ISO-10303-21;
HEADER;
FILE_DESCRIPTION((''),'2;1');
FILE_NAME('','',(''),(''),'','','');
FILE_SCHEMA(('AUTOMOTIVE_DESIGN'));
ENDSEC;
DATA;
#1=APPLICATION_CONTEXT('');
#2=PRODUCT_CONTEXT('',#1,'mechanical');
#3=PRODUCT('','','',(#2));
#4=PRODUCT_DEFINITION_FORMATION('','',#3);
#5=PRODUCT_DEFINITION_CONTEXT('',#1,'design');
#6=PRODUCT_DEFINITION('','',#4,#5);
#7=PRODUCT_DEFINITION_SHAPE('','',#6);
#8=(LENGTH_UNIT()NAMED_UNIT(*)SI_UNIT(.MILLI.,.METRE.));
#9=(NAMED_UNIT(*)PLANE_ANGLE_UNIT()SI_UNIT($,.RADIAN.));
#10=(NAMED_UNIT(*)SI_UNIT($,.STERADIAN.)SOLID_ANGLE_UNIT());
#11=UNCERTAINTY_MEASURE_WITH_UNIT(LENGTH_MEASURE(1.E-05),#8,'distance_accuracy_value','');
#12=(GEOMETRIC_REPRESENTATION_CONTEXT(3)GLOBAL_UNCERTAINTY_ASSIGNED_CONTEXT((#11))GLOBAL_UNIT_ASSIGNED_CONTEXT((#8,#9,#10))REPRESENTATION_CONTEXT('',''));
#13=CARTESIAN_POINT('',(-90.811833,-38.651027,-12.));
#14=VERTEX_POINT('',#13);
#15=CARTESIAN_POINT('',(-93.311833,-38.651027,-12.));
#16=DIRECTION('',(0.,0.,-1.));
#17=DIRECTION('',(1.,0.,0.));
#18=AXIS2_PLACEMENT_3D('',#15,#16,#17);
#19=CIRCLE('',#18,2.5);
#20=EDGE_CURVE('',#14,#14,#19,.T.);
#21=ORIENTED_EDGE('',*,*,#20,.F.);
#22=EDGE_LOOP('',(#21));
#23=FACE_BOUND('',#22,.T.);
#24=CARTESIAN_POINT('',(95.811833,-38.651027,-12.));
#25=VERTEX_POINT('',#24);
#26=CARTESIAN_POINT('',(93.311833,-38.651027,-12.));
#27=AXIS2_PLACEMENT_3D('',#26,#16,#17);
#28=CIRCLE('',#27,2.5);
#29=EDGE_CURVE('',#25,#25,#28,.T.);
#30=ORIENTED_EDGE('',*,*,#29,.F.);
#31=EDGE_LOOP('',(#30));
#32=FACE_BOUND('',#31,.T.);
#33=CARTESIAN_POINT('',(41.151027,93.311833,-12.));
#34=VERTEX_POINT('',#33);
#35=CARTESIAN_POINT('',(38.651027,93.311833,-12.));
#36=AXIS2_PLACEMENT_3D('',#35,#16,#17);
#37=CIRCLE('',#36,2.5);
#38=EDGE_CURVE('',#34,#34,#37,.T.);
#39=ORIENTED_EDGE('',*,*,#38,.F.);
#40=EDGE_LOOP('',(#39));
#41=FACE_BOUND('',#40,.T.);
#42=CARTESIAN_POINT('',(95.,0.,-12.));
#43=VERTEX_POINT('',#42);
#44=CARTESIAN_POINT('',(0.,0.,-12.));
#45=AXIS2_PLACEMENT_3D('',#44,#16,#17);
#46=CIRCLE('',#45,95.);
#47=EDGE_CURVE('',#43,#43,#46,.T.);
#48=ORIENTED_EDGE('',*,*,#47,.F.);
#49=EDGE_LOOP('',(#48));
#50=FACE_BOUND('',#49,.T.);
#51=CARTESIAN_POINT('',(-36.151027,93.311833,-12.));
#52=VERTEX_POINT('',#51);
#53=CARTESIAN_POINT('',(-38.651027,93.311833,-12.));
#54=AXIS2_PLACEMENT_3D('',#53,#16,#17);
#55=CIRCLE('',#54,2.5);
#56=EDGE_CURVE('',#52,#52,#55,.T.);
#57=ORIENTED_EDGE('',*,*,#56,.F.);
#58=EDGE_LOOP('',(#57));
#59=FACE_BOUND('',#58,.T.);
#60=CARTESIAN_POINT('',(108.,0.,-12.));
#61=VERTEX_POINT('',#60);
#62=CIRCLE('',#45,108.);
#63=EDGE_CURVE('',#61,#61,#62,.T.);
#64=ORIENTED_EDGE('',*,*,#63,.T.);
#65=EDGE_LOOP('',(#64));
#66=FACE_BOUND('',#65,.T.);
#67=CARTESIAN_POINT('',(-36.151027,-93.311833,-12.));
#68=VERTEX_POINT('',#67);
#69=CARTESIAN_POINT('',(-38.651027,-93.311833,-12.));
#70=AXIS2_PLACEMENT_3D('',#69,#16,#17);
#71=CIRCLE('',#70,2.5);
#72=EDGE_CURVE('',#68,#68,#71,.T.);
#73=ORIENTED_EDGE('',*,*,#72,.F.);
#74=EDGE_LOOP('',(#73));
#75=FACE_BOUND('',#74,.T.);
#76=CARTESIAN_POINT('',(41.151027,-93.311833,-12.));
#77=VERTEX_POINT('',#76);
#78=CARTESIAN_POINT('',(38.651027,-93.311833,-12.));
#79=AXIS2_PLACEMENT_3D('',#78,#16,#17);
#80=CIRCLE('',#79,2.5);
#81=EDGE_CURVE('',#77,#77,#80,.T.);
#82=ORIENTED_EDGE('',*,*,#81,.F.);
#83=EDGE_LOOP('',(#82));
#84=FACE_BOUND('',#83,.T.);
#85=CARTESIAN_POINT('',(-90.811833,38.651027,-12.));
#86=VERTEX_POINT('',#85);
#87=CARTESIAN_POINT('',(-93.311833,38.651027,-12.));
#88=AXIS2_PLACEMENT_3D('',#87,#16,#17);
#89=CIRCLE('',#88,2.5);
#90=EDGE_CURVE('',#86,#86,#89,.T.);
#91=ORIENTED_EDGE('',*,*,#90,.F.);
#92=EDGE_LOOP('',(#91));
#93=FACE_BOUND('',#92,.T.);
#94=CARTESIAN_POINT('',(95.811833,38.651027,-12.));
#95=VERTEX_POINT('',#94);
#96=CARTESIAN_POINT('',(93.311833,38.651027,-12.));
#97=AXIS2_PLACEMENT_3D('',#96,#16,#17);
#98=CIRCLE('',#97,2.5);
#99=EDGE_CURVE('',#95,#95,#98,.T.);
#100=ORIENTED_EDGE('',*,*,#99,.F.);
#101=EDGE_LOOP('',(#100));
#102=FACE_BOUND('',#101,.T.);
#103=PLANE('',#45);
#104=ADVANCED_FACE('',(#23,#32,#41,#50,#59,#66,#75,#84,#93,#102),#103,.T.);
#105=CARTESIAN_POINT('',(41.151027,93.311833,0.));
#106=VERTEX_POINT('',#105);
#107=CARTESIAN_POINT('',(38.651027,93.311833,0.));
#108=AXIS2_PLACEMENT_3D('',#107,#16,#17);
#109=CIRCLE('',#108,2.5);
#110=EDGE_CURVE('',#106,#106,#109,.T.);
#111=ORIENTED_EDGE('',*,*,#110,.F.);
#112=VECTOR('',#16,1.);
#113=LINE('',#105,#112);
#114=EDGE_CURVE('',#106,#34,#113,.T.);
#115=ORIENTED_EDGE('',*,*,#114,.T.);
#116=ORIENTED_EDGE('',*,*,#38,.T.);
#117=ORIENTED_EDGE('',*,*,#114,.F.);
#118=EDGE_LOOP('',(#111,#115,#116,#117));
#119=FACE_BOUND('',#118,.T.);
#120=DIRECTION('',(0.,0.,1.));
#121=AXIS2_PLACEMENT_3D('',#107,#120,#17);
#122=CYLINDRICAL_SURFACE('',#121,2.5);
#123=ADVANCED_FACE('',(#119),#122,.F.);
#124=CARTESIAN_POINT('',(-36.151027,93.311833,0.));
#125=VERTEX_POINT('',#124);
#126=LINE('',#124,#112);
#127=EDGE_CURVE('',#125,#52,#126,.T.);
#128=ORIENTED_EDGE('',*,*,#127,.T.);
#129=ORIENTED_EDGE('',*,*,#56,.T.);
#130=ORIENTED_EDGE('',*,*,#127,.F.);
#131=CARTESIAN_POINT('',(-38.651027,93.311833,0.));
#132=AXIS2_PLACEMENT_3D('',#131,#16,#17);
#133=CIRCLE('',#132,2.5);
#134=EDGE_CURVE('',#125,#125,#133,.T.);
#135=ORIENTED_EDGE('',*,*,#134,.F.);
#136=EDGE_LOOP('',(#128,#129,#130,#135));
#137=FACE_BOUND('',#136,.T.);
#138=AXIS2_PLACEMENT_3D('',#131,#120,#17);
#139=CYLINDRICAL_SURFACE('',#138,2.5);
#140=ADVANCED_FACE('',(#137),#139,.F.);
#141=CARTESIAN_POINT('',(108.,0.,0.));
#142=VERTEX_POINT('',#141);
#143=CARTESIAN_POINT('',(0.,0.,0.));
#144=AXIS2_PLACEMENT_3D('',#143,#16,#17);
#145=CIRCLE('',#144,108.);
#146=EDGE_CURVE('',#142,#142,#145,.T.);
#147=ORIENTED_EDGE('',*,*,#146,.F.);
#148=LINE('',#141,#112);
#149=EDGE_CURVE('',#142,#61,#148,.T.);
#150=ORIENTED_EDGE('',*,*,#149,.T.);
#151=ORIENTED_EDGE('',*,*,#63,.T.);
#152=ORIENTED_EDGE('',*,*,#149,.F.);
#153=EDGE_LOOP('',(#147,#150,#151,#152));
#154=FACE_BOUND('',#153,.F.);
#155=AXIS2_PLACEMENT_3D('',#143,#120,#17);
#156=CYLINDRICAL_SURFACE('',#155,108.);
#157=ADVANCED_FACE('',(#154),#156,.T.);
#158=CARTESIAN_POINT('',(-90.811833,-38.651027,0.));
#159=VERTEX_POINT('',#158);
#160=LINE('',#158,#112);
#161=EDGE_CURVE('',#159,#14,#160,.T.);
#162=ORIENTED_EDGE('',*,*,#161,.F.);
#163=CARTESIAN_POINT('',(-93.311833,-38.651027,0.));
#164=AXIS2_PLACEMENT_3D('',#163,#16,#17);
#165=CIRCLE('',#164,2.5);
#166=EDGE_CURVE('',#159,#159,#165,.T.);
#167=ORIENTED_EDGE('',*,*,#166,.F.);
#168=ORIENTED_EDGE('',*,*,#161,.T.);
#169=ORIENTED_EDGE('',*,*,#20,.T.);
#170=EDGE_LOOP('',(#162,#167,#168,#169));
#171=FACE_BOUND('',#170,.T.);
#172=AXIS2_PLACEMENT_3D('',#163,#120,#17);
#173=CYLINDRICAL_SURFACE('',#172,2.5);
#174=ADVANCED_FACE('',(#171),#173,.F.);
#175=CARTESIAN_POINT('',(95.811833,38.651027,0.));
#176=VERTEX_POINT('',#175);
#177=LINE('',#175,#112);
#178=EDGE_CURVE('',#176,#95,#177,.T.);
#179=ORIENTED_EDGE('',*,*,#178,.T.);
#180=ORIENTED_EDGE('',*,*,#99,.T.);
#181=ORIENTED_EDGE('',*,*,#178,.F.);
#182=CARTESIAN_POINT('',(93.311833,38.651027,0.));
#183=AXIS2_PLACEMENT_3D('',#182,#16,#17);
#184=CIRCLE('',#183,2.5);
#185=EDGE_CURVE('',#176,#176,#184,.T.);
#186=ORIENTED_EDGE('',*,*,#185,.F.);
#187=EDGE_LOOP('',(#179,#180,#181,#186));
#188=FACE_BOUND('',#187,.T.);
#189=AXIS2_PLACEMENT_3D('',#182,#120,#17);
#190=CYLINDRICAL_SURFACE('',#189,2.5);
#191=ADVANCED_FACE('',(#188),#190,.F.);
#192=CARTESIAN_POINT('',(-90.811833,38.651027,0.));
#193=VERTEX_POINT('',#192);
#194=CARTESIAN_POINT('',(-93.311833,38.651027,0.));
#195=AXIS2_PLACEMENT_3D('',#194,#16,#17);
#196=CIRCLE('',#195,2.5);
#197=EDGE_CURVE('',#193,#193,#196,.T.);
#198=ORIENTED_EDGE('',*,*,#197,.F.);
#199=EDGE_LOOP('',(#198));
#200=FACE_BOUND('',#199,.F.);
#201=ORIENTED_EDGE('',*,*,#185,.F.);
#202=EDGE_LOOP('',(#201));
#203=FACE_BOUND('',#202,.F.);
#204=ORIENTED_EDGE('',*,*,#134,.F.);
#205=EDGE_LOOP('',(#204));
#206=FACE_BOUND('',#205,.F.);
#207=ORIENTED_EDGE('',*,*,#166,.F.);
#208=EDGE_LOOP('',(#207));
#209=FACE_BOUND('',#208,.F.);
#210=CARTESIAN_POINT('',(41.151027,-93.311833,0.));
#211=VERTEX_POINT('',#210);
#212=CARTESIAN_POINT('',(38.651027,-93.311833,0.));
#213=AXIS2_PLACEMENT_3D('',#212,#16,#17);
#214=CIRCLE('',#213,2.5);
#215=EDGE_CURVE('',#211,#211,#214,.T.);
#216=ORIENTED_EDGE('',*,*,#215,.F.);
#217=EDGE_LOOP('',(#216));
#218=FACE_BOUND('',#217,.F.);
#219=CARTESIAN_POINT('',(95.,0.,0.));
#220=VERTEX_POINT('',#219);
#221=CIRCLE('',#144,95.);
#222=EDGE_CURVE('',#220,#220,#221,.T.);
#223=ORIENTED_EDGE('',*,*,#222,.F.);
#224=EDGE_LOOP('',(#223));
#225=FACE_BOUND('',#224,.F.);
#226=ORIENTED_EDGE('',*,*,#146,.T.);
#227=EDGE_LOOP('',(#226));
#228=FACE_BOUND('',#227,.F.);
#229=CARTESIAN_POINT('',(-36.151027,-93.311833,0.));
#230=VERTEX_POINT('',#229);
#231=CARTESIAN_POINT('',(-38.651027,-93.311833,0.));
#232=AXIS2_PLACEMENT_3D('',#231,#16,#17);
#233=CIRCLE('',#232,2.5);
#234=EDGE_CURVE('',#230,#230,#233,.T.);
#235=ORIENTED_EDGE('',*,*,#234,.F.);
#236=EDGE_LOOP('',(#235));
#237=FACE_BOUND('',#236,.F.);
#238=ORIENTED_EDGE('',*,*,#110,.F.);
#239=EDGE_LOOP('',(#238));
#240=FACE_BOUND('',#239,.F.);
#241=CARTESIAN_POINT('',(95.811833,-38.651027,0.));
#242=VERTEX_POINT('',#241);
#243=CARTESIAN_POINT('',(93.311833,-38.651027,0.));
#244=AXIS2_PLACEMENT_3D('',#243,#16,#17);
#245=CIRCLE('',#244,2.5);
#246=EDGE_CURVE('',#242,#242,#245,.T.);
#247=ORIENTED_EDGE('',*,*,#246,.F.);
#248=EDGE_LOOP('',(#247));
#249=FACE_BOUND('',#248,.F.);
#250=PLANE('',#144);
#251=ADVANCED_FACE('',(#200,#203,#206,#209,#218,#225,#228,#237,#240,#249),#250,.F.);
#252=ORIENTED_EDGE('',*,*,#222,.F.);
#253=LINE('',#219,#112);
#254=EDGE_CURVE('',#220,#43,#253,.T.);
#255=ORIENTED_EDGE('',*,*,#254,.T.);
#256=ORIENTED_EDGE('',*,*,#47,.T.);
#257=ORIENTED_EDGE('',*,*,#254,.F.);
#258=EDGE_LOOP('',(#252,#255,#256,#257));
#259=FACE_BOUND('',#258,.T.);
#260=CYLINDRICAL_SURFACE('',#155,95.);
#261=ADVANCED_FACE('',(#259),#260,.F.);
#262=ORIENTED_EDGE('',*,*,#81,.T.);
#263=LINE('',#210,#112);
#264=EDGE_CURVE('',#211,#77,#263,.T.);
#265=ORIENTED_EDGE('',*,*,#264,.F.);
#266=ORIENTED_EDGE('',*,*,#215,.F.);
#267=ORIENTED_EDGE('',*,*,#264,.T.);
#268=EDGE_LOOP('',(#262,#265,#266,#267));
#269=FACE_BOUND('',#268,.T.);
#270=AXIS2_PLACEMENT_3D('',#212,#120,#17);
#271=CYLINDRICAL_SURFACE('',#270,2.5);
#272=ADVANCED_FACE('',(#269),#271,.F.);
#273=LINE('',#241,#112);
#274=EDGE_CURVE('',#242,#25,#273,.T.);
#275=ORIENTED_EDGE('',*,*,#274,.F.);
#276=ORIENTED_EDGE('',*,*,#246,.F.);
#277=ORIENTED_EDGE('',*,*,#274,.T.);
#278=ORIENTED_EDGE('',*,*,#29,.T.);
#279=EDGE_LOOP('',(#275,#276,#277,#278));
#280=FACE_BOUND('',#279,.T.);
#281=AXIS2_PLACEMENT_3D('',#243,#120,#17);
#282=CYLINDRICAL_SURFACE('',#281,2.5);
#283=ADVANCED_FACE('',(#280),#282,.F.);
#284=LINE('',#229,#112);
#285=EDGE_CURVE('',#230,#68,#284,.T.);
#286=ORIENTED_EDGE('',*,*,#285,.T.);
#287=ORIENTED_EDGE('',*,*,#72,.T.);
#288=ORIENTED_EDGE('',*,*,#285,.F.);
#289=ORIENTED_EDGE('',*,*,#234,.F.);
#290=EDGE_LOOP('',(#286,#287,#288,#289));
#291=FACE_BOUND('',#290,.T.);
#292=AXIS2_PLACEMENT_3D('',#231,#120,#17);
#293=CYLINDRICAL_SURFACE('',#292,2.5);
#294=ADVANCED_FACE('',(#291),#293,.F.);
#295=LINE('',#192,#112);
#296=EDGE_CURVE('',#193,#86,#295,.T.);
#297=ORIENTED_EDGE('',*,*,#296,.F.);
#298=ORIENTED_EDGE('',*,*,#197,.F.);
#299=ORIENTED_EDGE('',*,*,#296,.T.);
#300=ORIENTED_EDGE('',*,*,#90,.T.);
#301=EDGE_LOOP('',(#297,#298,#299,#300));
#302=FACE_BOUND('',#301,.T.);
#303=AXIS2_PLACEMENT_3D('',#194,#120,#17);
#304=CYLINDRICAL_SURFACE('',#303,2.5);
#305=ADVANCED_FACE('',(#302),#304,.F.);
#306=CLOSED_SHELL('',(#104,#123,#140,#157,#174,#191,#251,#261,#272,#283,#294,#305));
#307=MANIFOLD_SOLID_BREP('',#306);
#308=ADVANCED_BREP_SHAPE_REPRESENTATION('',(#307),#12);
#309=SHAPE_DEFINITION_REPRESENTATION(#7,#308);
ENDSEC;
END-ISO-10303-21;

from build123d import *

# Parameters (mm, degrees)
SKETCH001_R   = 108
SKETCH001_R_2 = 95
SKETCH001_R_3 = 2.5
PAD_DEPTH     = 12


with BuildPart() as part:
    # Sketch001 → Pad (new body)
    with BuildSketch(Plane(origin=(0, 0, 0), x_dir=(1, 0, 0), z_dir=(0, 0, -1))):
        Circle(SKETCH001_R)
        Circle(SKETCH001_R_2, mode=Mode.SUBTRACT)
        with Locations((38.651027, 93.311833)):
            Circle(SKETCH001_R_3, mode=Mode.SUBTRACT)
        with Locations((93.311833, 38.651027)):
            Circle(SKETCH001_R_3, mode=Mode.SUBTRACT)
        with Locations((93.311833, -38.651027)):
            Circle(SKETCH001_R_3, mode=Mode.SUBTRACT)
        with Locations((38.651027, -93.311833)):
            Circle(SKETCH001_R_3, mode=Mode.SUBTRACT)
        with Locations((-38.651027, 93.311833)):
            Circle(SKETCH001_R_3, mode=Mode.SUBTRACT)
        with Locations((-93.311833, 38.651027)):
            Circle(SKETCH001_R_3, mode=Mode.SUBTRACT)
        with Locations((-93.311833, -38.651027)):
            Circle(SKETCH001_R_3, mode=Mode.SUBTRACT)
        with Locations((-38.651027, -93.311833)):
            Circle(SKETCH001_R_3, mode=Mode.SUBTRACT)
    extrude(amount=PAD_DEPTH)


solid = part.part
